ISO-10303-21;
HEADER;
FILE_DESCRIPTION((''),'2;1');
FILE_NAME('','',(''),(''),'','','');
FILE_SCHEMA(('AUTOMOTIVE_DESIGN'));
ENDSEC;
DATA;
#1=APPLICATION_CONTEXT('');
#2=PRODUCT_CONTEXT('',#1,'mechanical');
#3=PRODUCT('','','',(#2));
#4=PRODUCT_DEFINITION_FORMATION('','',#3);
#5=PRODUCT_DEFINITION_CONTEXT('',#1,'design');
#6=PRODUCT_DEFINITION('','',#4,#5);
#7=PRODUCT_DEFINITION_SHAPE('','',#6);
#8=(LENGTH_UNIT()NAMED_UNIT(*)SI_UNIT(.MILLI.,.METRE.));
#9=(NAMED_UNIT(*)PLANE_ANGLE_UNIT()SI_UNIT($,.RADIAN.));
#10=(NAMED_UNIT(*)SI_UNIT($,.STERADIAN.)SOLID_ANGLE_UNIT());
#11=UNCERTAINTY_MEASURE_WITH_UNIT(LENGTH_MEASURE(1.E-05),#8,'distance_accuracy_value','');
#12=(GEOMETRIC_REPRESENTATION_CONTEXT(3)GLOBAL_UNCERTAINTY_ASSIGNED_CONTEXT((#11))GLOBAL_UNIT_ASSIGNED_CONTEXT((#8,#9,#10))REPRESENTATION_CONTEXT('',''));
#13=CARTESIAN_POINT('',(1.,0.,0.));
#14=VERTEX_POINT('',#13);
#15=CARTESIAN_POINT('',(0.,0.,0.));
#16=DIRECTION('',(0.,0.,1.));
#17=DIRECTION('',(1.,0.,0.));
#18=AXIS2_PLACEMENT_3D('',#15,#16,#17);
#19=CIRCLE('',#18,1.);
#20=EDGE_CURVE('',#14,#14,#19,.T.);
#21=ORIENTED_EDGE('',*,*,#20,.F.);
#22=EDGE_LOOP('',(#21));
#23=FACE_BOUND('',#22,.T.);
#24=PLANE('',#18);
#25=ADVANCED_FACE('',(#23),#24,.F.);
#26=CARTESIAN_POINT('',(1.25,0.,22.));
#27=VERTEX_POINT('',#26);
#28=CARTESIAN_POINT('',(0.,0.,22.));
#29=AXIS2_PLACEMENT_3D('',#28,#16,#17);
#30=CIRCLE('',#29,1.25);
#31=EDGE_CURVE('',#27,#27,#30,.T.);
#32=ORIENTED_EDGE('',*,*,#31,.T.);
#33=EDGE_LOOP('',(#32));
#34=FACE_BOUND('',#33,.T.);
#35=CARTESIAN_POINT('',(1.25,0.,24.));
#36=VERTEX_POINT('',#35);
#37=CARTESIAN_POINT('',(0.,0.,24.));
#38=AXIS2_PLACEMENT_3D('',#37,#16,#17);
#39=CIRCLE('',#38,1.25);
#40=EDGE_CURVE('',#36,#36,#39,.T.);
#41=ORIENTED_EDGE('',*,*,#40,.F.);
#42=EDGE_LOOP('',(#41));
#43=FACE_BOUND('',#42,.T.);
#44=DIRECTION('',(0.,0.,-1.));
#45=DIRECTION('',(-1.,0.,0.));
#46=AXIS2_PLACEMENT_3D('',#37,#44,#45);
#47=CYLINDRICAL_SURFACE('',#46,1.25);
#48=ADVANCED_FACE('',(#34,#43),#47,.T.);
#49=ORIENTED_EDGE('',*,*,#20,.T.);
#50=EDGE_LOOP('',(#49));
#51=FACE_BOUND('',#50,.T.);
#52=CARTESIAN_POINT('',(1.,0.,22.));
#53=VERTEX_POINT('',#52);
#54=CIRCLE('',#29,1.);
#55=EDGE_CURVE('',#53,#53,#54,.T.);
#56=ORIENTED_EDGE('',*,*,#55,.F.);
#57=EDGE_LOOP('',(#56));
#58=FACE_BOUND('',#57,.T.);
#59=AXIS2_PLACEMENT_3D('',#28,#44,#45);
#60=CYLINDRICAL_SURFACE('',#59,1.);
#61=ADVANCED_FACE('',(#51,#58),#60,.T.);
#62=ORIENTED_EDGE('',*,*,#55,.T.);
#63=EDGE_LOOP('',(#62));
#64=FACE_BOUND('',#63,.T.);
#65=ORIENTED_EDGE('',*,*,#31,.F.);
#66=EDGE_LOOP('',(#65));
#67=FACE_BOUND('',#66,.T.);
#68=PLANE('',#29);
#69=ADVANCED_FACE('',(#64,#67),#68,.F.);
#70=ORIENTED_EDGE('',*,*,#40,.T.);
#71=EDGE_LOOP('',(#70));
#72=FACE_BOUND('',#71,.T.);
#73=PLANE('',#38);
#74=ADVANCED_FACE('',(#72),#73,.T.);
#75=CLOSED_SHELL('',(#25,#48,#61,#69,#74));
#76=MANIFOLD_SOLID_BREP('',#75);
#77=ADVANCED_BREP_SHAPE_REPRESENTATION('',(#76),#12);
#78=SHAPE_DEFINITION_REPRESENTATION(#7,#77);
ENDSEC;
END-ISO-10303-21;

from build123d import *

# Parameters (mm, degrees)
CROQUIS1_R              = 1
SALIENTE_EXTRUIR1_DEPTH = 22
CROQUIS2_R              = 1.25
SALIENTE_EXTRUIR2_DEPTH = 2


with BuildPart() as part:
    # Croquis1 → Saliente-Extruir1 (new body)
    with BuildSketch(Plane.XY):
        Circle(CROQUIS1_R)
    extrude(amount=SALIENTE_EXTRUIR1_DEPTH)

    # Croquis2 → Saliente-Extruir2 (add)
    with BuildSketch(Plane.XY.offset(22)):
        Circle(CROQUIS2_R)
    extrude(amount=SALIENTE_EXTRUIR2_DEPTH)


solid = part.part
